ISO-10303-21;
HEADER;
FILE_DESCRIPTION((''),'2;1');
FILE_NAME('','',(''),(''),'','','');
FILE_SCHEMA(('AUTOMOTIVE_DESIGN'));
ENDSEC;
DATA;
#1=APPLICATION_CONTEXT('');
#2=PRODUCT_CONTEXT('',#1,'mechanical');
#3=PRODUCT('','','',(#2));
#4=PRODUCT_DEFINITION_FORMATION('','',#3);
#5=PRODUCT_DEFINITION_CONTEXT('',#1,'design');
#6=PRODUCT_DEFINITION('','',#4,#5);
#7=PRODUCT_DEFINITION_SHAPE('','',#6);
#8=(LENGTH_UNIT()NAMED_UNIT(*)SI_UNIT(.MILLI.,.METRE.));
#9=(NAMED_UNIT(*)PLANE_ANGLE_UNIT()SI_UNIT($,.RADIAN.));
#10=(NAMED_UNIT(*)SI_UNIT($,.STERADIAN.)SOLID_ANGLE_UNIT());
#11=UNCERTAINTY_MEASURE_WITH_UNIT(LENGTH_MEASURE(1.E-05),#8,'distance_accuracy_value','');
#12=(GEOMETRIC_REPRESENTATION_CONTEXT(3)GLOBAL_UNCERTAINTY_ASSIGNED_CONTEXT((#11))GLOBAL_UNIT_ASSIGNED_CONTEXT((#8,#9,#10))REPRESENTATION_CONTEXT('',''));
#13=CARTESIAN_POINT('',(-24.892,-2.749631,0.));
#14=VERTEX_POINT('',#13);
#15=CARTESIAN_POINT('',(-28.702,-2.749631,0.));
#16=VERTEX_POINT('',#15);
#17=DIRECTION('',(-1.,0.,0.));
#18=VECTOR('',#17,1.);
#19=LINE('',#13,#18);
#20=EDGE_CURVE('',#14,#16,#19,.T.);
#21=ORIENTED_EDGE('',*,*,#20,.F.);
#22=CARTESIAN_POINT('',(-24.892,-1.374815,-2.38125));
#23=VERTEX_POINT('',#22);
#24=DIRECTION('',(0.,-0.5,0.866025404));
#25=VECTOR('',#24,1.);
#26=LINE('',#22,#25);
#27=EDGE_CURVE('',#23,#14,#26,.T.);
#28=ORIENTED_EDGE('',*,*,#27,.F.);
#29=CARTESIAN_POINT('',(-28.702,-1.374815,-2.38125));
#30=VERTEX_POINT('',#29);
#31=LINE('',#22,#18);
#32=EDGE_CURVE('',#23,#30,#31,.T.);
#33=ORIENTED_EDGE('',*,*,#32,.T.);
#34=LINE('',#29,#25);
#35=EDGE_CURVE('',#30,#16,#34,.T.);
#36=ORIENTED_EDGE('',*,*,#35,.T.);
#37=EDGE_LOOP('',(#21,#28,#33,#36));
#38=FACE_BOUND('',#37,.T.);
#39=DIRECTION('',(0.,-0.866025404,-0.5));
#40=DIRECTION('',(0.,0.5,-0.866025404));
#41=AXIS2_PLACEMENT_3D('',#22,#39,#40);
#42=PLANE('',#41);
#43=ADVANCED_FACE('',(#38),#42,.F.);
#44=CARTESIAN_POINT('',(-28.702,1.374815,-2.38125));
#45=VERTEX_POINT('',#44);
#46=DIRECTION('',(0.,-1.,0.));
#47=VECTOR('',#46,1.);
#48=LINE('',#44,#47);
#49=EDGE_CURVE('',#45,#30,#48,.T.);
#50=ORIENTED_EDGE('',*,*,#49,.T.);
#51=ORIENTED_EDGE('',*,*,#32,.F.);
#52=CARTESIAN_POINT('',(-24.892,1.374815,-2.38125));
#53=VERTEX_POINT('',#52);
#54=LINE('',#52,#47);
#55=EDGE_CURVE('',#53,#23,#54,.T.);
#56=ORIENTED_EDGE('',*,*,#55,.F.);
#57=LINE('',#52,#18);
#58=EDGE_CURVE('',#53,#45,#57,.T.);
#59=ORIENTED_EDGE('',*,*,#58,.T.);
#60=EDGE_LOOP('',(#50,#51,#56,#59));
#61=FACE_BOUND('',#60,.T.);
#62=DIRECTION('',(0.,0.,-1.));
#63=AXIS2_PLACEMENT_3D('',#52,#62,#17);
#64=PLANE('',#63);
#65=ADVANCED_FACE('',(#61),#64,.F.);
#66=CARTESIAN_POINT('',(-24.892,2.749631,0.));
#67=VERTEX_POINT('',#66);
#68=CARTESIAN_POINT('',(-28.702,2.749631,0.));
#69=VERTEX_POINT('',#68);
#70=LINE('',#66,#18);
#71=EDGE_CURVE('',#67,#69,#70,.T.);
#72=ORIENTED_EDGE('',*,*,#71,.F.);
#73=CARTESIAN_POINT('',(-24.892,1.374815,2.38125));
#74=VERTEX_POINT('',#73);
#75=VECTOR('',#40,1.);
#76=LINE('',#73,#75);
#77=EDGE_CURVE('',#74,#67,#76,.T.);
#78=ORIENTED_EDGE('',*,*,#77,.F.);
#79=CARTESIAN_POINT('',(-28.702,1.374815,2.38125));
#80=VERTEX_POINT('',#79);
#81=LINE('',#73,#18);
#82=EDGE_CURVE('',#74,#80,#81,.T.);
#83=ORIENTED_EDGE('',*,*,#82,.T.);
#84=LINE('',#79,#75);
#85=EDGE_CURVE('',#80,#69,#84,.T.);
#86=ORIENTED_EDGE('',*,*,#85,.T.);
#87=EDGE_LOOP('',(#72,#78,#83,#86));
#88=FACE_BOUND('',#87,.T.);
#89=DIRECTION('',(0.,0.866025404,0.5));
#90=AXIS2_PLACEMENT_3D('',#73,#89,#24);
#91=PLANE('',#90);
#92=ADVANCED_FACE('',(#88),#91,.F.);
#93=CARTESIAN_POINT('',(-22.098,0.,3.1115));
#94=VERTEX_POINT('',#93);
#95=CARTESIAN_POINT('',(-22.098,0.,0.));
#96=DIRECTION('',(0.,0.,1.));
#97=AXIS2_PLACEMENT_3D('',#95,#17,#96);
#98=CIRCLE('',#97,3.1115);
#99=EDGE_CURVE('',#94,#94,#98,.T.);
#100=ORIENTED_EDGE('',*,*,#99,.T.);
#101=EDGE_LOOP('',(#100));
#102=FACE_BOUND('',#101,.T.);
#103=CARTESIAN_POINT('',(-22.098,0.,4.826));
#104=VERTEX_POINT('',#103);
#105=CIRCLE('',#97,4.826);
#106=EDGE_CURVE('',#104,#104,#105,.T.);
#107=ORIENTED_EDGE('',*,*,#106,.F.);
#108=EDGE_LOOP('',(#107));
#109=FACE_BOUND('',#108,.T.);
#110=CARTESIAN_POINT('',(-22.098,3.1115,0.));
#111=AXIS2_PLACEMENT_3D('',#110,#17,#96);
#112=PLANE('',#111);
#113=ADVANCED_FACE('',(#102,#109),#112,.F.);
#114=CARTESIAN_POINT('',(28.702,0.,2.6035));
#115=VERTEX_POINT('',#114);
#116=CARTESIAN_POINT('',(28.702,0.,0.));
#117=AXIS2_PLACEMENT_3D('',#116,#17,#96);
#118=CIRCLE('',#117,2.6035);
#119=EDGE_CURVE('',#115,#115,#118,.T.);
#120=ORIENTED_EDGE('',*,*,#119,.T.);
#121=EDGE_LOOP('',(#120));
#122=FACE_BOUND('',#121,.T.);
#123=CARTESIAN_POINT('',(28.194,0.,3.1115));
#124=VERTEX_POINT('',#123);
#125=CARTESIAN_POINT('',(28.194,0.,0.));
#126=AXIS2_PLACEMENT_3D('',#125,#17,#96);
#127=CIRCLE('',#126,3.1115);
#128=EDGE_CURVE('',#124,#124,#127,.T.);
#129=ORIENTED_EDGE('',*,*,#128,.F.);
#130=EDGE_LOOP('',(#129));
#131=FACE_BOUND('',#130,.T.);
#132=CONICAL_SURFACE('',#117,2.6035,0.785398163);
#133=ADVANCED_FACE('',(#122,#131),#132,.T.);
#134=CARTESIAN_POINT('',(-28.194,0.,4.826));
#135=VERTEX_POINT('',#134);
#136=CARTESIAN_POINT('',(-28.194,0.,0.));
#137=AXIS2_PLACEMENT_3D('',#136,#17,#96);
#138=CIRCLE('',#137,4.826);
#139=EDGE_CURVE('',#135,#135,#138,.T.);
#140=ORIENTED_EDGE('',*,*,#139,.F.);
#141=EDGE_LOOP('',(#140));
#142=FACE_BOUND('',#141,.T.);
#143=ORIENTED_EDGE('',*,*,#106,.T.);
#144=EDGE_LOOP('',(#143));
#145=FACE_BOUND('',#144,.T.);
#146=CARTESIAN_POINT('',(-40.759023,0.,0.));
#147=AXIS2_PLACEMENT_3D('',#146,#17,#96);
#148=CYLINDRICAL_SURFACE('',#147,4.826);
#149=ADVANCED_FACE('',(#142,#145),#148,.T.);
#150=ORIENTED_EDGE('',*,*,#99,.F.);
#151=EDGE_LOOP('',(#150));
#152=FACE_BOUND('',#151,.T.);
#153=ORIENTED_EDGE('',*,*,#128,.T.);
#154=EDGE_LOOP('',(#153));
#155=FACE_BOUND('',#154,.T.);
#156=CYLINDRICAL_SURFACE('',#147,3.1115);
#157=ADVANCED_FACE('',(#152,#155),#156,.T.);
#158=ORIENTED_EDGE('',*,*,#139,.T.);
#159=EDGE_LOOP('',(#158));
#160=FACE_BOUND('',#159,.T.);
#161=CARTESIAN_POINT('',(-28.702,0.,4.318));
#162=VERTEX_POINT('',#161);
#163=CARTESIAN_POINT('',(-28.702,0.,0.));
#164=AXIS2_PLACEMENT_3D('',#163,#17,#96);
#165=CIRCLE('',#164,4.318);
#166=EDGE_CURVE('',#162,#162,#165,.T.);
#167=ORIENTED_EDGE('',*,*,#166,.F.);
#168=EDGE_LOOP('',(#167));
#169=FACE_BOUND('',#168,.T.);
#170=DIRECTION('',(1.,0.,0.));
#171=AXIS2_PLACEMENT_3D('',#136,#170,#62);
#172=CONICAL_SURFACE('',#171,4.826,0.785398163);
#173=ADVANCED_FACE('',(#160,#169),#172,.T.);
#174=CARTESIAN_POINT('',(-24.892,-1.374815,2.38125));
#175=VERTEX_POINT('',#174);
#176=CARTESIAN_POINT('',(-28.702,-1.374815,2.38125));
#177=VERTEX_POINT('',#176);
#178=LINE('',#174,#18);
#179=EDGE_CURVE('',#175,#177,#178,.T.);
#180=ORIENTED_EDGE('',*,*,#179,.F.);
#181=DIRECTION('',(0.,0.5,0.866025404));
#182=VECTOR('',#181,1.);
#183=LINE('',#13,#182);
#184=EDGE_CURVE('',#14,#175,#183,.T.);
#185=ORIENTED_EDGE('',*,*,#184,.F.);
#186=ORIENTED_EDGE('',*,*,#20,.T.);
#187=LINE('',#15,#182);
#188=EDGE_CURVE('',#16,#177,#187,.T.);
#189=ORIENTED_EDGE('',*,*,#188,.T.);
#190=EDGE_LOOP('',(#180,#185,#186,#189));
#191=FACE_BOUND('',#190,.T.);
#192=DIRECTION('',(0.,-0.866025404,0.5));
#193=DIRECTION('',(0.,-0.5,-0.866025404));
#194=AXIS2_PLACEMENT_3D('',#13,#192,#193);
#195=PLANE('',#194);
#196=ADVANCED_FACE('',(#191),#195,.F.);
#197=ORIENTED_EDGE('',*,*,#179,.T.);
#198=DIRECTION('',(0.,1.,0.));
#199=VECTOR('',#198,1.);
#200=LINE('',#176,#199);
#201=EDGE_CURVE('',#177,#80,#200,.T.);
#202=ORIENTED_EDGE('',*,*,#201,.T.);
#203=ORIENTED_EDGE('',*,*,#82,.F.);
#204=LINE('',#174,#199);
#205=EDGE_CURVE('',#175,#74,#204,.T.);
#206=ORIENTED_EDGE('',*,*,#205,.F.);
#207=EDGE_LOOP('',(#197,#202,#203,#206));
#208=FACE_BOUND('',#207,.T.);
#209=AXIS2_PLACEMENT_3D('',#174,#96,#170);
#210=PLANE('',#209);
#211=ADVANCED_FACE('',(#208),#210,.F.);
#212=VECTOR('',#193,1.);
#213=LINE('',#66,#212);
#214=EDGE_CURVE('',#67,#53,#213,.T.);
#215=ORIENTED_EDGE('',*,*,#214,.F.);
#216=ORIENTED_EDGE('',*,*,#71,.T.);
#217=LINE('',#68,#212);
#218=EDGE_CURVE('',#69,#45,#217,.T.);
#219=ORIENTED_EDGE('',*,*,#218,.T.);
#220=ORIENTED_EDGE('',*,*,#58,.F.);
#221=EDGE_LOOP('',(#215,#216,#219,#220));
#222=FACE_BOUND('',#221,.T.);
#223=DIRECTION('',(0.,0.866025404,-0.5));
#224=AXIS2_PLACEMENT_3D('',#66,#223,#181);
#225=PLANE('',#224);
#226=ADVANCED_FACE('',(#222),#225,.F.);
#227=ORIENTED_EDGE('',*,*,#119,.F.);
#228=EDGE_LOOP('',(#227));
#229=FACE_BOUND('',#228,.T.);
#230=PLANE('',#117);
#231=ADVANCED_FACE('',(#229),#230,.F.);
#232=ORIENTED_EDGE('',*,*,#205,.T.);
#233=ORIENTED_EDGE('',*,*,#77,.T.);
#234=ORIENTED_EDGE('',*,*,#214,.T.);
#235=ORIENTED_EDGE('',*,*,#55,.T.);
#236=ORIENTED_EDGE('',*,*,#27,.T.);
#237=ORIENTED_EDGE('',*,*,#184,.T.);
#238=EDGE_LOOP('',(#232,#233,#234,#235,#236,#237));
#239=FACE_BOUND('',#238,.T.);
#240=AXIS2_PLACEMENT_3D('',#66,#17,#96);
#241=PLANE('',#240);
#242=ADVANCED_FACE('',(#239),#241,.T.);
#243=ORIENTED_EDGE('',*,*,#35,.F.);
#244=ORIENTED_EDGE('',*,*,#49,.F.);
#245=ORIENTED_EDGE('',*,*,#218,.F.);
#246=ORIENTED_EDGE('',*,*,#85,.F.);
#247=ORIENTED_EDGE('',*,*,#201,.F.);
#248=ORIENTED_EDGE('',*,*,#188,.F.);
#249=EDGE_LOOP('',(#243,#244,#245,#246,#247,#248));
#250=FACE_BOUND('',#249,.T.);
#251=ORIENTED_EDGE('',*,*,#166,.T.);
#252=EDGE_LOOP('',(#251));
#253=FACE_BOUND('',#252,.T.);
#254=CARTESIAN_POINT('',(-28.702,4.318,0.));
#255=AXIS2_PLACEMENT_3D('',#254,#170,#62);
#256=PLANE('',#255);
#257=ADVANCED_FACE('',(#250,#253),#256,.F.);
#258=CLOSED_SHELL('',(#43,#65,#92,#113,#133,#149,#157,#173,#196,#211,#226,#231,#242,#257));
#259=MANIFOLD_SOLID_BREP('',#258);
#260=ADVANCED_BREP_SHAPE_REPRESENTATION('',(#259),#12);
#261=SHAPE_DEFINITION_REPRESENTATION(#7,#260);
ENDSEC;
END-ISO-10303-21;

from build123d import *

# Parameters (mm, degrees)
EXTRUDE1_DEPTH = 3.81


with BuildPart() as part:
    # Sketch1 → Revolve1 (revolve)
    with BuildSketch(Plane.XY, mode=Mode.PRIVATE) as revolve1_sk:
        Polygon((28.702, 0), (28.702, 2.6035), (28.194, 3.1115), (-22.098, 3.1115), (-22.098, 4.826), (-28.194, 4.826), (-28.702, 4.318), (-28.702, 0), align=None)
    revolve(revolve1_sk.sketch.rotate(Axis((-40.759022879, 0, 0), (1, 0, 0)), 90), axis=Axis((-40.759022879, 0, 0), (1, 0, 0)))

    # Sketch2 → Extrude1 (cut)
    with BuildSketch(Plane.ZY.offset(28.702)):
        Polygon((0, 2.749630657), (-2.38125, 1.374815329), (-2.38125, -1.374815329), (0, -2.749630657), (2.38125, -1.374815329), (2.38125, 1.374815329), align=None)
    extrude(amount=-EXTRUDE1_DEPTH, mode=Mode.SUBTRACT)


solid = part.part
